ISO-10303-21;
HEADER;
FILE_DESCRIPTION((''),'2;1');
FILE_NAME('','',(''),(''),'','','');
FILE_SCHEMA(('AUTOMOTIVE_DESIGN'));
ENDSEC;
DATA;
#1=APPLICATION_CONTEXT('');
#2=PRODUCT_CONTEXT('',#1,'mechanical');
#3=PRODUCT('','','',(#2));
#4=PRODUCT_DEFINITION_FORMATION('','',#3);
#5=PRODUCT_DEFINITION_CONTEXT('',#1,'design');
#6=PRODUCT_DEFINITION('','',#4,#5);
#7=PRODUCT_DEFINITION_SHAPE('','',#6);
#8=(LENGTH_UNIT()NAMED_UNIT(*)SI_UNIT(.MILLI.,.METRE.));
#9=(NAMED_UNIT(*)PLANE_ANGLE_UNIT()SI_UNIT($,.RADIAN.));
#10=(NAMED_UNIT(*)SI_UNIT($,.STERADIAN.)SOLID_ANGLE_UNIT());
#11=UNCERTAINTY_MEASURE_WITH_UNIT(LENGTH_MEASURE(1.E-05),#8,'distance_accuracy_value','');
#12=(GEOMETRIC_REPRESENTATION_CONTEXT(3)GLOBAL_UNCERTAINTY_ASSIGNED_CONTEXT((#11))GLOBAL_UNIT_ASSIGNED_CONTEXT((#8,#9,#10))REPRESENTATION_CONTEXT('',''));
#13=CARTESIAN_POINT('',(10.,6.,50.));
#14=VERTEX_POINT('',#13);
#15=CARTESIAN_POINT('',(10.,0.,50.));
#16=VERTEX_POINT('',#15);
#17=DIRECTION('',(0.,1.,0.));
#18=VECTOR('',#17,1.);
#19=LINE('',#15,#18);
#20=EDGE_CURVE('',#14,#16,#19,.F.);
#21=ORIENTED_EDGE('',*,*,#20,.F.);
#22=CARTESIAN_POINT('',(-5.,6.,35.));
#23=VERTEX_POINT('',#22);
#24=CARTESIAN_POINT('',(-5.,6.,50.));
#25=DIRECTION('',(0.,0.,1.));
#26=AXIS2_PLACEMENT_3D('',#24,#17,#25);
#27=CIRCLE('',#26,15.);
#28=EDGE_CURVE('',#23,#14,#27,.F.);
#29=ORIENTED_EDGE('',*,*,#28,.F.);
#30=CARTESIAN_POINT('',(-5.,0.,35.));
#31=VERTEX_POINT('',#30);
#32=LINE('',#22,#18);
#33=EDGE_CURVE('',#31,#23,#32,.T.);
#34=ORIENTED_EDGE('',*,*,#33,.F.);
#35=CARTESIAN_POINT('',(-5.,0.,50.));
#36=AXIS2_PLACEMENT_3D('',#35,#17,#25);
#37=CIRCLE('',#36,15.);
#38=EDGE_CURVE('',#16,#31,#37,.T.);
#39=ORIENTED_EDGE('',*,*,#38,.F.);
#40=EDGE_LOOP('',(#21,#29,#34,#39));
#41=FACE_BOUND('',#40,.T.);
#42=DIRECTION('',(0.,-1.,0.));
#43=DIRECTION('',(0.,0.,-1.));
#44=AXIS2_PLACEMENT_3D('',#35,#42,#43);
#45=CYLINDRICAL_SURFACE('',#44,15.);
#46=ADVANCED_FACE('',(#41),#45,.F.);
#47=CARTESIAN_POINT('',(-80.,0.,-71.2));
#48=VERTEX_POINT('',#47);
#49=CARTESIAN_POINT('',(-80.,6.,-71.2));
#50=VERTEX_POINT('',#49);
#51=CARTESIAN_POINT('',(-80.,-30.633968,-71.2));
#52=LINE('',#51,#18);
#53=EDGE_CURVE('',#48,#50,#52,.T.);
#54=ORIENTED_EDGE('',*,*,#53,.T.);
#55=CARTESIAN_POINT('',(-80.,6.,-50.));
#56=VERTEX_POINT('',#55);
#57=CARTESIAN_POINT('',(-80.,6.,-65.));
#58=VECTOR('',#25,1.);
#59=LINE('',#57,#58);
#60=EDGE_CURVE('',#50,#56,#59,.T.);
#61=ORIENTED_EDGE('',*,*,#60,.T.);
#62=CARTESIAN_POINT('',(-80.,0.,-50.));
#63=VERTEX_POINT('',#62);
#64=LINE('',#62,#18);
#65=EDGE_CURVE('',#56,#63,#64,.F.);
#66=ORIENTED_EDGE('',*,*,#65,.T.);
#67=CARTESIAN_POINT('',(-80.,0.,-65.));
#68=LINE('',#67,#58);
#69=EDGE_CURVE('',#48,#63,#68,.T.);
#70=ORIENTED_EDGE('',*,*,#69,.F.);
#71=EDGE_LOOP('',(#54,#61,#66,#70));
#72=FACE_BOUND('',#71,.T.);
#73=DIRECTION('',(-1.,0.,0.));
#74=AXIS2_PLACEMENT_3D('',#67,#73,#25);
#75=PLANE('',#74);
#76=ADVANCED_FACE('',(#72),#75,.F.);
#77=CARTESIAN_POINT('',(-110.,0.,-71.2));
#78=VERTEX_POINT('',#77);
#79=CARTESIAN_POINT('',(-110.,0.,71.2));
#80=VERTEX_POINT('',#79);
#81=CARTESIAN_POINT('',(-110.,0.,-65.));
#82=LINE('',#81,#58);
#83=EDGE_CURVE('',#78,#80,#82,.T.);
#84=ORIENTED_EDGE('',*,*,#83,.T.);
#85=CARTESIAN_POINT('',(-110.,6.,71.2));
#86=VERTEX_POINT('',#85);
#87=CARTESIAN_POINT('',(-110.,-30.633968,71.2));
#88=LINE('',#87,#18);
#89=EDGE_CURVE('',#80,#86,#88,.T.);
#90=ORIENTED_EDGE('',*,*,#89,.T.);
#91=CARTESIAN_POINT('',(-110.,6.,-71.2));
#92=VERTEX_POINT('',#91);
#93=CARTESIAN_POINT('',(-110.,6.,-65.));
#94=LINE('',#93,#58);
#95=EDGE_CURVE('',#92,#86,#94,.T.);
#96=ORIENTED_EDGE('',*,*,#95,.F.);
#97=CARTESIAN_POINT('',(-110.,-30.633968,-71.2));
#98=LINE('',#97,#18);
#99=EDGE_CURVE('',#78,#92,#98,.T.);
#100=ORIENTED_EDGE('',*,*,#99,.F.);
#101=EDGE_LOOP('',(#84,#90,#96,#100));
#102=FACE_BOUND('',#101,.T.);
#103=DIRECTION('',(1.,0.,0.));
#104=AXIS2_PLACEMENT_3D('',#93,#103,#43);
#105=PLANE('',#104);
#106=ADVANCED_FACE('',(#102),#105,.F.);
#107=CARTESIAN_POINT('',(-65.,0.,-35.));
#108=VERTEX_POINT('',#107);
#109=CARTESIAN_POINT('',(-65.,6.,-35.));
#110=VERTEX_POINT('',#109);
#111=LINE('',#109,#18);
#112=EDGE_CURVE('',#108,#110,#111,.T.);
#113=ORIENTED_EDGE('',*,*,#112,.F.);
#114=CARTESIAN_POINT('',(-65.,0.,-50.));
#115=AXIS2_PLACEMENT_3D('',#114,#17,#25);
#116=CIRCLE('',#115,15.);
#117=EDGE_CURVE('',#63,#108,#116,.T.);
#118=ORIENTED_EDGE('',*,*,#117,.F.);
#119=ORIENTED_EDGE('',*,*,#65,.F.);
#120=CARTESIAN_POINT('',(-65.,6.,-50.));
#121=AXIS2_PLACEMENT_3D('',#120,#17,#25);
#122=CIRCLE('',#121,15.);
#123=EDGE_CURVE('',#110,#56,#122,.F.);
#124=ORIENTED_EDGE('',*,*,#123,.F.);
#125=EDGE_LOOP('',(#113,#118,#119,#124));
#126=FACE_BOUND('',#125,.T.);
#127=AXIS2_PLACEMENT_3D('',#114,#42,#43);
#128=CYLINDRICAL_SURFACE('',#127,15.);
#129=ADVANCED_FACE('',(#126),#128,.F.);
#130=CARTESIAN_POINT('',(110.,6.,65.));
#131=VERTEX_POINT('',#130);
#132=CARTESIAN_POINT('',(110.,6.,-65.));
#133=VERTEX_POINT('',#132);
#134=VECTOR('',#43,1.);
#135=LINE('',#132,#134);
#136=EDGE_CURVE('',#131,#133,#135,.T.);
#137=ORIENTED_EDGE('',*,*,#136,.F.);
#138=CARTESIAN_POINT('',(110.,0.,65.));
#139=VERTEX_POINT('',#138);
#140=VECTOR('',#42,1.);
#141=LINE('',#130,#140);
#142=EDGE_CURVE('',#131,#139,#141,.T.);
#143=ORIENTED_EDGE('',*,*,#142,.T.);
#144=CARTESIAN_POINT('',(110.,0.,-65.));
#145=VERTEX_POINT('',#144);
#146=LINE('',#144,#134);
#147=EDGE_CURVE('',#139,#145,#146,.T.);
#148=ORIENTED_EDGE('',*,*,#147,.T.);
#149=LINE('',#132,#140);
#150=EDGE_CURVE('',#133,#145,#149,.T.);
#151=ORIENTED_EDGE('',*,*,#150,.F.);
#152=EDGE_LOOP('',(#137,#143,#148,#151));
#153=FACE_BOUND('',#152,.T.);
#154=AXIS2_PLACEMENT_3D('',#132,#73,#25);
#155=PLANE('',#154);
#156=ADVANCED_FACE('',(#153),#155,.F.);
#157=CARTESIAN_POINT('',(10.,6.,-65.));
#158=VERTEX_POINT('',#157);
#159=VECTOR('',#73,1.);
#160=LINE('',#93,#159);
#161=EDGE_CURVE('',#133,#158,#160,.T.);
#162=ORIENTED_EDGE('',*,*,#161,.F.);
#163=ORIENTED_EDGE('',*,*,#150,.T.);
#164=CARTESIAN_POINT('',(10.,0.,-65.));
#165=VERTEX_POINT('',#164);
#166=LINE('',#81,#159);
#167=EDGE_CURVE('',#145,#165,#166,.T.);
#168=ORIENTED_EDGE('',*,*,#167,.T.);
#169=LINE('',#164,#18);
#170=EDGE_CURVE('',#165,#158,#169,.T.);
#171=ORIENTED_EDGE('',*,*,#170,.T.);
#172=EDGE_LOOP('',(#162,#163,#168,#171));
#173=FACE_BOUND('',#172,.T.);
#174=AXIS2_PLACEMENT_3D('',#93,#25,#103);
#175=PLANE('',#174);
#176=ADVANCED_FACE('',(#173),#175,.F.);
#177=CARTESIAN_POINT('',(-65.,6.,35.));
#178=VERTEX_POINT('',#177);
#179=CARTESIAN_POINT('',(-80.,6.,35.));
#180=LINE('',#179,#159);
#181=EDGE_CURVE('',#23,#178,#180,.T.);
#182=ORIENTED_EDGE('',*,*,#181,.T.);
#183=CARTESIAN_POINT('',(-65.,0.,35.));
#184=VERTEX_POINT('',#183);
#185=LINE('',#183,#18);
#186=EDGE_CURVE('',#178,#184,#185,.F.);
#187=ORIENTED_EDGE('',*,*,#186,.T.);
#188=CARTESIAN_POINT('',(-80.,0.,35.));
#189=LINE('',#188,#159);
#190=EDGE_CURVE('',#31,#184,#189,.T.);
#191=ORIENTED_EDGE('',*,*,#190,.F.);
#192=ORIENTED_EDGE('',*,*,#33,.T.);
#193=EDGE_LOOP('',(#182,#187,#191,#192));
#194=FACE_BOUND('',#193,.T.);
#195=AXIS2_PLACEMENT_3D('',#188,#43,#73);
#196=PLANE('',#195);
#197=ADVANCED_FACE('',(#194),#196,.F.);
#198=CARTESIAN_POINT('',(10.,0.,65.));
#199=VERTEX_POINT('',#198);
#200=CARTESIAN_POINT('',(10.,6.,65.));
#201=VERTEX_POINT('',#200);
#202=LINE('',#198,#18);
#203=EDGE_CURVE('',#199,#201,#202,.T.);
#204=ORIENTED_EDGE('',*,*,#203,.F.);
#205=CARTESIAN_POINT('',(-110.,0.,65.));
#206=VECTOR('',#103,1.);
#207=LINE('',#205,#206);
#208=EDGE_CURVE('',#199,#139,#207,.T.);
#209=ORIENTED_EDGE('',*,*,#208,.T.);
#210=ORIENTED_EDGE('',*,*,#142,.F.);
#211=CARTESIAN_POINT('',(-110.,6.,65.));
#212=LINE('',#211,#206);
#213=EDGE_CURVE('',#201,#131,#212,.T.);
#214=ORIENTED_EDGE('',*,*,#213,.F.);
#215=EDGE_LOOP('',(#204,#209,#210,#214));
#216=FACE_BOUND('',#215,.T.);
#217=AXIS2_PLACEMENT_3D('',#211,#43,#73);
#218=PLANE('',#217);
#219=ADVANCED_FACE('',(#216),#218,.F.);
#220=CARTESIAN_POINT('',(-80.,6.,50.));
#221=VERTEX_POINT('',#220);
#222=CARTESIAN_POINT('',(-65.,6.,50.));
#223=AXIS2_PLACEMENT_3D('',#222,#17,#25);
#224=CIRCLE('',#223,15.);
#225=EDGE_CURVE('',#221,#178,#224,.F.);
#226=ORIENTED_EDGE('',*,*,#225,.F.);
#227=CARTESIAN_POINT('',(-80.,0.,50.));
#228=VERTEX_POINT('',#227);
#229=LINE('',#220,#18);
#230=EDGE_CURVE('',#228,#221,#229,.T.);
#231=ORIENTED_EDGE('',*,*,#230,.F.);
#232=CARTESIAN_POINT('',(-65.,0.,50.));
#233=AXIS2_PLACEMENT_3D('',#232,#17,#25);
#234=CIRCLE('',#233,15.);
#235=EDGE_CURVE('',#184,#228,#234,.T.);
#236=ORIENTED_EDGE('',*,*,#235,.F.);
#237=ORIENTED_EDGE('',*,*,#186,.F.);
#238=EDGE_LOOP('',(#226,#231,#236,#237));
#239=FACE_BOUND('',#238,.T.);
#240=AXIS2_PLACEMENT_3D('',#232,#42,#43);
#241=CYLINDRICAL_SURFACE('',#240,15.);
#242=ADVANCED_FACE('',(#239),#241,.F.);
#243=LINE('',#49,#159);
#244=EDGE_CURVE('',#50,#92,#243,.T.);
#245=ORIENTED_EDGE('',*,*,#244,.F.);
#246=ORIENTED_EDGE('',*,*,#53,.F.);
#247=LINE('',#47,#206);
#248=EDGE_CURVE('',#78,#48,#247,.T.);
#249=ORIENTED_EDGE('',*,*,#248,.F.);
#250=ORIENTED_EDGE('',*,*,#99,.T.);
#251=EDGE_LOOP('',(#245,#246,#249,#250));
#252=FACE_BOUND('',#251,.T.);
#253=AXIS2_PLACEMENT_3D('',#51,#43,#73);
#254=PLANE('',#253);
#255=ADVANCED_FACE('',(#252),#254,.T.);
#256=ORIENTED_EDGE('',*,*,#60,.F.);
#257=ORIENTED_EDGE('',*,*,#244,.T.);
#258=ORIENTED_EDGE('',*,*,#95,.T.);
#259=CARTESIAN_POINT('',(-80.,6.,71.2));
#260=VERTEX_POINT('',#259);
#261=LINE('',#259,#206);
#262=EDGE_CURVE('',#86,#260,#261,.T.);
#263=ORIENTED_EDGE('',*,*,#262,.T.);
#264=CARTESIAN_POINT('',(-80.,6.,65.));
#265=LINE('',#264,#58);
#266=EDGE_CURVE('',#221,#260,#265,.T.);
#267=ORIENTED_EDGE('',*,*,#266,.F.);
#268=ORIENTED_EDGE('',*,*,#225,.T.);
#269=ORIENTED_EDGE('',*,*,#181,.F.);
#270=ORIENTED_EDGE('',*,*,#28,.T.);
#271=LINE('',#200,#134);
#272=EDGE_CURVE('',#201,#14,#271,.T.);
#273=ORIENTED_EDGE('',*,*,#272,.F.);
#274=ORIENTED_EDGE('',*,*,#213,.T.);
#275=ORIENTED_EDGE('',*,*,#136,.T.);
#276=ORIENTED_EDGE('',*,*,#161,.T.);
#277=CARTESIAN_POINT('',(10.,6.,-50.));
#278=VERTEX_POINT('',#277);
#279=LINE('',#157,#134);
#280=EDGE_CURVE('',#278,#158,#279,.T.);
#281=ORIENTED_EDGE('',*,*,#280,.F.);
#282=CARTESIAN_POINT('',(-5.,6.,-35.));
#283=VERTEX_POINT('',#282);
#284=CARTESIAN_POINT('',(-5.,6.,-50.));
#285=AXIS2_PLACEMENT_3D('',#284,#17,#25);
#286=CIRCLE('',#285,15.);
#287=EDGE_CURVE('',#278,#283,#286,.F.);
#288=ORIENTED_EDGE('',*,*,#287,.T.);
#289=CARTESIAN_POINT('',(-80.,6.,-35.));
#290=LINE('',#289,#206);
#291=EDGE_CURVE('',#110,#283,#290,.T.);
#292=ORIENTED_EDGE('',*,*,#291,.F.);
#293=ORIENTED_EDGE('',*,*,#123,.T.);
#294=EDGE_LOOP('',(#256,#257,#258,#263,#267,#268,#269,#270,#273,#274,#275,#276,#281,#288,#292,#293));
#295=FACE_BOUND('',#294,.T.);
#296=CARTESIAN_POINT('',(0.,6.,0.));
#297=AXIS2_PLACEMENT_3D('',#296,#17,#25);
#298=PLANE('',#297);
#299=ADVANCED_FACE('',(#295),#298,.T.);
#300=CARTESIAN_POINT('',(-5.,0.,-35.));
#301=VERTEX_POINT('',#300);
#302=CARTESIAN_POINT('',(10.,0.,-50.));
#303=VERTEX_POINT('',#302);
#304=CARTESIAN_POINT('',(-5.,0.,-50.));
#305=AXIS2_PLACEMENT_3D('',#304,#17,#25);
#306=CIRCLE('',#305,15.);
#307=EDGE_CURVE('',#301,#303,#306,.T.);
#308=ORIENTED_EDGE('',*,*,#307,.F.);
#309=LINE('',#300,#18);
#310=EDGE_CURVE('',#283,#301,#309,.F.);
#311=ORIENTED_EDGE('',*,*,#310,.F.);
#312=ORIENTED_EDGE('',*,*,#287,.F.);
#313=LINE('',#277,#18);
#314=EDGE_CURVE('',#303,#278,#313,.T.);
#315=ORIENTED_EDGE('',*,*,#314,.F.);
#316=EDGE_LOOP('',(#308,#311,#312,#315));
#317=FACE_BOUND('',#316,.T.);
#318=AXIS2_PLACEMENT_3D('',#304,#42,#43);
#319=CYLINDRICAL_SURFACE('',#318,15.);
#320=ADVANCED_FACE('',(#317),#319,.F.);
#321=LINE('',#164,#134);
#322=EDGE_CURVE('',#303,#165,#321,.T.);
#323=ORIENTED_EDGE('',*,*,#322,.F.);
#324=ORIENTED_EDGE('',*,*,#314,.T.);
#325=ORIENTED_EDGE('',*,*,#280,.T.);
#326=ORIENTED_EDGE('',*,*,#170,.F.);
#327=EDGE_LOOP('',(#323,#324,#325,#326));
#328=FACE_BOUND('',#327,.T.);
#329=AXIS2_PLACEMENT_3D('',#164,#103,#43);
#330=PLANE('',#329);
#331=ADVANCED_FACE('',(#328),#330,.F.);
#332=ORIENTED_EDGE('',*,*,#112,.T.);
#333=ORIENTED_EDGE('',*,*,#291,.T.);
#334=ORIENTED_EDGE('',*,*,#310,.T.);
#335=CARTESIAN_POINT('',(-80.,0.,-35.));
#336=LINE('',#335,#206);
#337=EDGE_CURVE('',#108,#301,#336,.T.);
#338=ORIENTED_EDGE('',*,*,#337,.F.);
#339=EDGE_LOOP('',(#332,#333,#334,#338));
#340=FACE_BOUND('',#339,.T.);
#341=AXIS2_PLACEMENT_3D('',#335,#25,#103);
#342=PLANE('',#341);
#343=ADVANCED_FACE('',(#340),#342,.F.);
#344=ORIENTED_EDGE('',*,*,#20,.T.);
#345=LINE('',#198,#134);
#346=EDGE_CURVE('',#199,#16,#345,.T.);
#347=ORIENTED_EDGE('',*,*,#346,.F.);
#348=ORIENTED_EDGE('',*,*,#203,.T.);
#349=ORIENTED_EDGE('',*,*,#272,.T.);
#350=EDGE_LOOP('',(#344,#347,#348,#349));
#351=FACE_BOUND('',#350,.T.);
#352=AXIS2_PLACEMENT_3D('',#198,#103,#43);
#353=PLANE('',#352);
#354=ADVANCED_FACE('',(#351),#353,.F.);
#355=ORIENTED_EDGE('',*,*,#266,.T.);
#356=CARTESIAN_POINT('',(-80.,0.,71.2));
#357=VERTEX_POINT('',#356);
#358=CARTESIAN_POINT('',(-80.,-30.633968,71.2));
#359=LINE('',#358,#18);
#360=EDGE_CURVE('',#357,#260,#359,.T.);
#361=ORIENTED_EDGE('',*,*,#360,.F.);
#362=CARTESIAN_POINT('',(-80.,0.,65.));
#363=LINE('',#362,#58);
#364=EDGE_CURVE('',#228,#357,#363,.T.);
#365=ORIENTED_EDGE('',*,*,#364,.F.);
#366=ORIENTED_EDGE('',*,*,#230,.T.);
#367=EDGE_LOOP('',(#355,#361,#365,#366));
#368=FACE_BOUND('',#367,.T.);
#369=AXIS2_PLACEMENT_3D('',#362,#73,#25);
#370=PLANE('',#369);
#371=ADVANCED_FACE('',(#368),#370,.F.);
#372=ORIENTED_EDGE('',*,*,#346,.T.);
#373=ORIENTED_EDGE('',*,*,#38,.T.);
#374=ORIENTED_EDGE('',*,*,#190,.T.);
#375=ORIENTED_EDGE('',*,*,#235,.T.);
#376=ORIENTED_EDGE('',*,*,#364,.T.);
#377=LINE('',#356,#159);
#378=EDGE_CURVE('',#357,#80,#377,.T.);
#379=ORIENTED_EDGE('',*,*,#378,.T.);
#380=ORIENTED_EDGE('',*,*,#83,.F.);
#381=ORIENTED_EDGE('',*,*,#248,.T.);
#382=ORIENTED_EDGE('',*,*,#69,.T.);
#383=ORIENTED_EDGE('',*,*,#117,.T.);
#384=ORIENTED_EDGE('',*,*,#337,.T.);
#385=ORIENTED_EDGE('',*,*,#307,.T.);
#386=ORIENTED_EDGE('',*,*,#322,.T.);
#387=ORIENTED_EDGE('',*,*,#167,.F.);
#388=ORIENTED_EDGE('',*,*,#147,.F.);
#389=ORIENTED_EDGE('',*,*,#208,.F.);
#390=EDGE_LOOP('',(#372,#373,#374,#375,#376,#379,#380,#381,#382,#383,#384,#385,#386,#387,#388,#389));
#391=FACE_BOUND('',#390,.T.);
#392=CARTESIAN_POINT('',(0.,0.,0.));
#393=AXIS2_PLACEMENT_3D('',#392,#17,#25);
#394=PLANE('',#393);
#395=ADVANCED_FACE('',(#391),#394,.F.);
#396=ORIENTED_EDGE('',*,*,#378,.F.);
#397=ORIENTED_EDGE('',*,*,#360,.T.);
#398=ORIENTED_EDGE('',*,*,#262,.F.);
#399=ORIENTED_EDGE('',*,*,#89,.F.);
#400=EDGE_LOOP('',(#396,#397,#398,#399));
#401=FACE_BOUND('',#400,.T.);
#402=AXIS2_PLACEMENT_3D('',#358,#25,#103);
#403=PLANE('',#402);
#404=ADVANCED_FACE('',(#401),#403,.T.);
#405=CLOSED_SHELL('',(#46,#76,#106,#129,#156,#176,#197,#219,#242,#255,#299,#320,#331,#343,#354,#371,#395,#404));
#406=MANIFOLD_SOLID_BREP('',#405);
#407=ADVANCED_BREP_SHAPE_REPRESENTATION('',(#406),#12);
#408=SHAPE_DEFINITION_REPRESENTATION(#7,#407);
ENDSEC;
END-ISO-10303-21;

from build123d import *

# Parameters (mm, degrees)
SKETCH1_W           = 220
SKETCH1_H           = 130
BOSS_EXTRUDE1_DEPTH = 6
SKETCH2_W           = 90
SKETCH2_H           = 30
CUT_EXTRUDE1_DEPTH  = 128.910124697
FILLET1_R           = 15
SKETCH3_W           = 30
SKETCH3_H           = 6.2
BOSS_EXTRUDE2_DEPTH = 6


with BuildPart() as part:
    # Sketch1 → Boss-Extrude1 (new body)
    with BuildSketch(Plane(origin=(0, 0, 0), x_dir=(1, 0, 0), z_dir=(0, 1, 0))):
        Rectangle(SKETCH1_W, SKETCH1_H)
    extrude(amount=BOSS_EXTRUDE1_DEPTH)

    # Sketch2 → Cut-Extrude1 (cut, through all)
    with BuildSketch(Plane(origin=(0, 6, 0), x_dir=(1, 0, 0), z_dir=(0, 1, 0))):
        with Locations((-35, -50)):
            Rectangle(SKETCH2_W, SKETCH2_H)
        with Locations((-35, 50)):
            Rectangle(SKETCH2_W, SKETCH2_H)
    extrude(amount=-CUT_EXTRUDE1_DEPTH, mode=Mode.SUBTRACT)

    # Fillet1
    fillet1_edges = [part.edges().sort_by_distance(p)[0] for p in [
        (-80, 3, 35),
        (10, 3, 35),
        (-80, 3, -35),
        (10, 3, -35),
    ]]
    fillet(fillet1_edges, radius=FILLET1_R)

    # Sketch3 → Boss-Extrude2 (add)
    with BuildSketch(Plane(origin=(0, 6, 0), x_dir=(1, 0, 0), z_dir=(0, 1, 0))):
        with Locations((-95, 68.1)):
            Rectangle(SKETCH3_W, SKETCH3_H)
        with Locations((-95, -68.1)):
            Rectangle(SKETCH3_W, SKETCH3_H)
    extrude(amount=-BOSS_EXTRUDE2_DEPTH)


solid = part.part
